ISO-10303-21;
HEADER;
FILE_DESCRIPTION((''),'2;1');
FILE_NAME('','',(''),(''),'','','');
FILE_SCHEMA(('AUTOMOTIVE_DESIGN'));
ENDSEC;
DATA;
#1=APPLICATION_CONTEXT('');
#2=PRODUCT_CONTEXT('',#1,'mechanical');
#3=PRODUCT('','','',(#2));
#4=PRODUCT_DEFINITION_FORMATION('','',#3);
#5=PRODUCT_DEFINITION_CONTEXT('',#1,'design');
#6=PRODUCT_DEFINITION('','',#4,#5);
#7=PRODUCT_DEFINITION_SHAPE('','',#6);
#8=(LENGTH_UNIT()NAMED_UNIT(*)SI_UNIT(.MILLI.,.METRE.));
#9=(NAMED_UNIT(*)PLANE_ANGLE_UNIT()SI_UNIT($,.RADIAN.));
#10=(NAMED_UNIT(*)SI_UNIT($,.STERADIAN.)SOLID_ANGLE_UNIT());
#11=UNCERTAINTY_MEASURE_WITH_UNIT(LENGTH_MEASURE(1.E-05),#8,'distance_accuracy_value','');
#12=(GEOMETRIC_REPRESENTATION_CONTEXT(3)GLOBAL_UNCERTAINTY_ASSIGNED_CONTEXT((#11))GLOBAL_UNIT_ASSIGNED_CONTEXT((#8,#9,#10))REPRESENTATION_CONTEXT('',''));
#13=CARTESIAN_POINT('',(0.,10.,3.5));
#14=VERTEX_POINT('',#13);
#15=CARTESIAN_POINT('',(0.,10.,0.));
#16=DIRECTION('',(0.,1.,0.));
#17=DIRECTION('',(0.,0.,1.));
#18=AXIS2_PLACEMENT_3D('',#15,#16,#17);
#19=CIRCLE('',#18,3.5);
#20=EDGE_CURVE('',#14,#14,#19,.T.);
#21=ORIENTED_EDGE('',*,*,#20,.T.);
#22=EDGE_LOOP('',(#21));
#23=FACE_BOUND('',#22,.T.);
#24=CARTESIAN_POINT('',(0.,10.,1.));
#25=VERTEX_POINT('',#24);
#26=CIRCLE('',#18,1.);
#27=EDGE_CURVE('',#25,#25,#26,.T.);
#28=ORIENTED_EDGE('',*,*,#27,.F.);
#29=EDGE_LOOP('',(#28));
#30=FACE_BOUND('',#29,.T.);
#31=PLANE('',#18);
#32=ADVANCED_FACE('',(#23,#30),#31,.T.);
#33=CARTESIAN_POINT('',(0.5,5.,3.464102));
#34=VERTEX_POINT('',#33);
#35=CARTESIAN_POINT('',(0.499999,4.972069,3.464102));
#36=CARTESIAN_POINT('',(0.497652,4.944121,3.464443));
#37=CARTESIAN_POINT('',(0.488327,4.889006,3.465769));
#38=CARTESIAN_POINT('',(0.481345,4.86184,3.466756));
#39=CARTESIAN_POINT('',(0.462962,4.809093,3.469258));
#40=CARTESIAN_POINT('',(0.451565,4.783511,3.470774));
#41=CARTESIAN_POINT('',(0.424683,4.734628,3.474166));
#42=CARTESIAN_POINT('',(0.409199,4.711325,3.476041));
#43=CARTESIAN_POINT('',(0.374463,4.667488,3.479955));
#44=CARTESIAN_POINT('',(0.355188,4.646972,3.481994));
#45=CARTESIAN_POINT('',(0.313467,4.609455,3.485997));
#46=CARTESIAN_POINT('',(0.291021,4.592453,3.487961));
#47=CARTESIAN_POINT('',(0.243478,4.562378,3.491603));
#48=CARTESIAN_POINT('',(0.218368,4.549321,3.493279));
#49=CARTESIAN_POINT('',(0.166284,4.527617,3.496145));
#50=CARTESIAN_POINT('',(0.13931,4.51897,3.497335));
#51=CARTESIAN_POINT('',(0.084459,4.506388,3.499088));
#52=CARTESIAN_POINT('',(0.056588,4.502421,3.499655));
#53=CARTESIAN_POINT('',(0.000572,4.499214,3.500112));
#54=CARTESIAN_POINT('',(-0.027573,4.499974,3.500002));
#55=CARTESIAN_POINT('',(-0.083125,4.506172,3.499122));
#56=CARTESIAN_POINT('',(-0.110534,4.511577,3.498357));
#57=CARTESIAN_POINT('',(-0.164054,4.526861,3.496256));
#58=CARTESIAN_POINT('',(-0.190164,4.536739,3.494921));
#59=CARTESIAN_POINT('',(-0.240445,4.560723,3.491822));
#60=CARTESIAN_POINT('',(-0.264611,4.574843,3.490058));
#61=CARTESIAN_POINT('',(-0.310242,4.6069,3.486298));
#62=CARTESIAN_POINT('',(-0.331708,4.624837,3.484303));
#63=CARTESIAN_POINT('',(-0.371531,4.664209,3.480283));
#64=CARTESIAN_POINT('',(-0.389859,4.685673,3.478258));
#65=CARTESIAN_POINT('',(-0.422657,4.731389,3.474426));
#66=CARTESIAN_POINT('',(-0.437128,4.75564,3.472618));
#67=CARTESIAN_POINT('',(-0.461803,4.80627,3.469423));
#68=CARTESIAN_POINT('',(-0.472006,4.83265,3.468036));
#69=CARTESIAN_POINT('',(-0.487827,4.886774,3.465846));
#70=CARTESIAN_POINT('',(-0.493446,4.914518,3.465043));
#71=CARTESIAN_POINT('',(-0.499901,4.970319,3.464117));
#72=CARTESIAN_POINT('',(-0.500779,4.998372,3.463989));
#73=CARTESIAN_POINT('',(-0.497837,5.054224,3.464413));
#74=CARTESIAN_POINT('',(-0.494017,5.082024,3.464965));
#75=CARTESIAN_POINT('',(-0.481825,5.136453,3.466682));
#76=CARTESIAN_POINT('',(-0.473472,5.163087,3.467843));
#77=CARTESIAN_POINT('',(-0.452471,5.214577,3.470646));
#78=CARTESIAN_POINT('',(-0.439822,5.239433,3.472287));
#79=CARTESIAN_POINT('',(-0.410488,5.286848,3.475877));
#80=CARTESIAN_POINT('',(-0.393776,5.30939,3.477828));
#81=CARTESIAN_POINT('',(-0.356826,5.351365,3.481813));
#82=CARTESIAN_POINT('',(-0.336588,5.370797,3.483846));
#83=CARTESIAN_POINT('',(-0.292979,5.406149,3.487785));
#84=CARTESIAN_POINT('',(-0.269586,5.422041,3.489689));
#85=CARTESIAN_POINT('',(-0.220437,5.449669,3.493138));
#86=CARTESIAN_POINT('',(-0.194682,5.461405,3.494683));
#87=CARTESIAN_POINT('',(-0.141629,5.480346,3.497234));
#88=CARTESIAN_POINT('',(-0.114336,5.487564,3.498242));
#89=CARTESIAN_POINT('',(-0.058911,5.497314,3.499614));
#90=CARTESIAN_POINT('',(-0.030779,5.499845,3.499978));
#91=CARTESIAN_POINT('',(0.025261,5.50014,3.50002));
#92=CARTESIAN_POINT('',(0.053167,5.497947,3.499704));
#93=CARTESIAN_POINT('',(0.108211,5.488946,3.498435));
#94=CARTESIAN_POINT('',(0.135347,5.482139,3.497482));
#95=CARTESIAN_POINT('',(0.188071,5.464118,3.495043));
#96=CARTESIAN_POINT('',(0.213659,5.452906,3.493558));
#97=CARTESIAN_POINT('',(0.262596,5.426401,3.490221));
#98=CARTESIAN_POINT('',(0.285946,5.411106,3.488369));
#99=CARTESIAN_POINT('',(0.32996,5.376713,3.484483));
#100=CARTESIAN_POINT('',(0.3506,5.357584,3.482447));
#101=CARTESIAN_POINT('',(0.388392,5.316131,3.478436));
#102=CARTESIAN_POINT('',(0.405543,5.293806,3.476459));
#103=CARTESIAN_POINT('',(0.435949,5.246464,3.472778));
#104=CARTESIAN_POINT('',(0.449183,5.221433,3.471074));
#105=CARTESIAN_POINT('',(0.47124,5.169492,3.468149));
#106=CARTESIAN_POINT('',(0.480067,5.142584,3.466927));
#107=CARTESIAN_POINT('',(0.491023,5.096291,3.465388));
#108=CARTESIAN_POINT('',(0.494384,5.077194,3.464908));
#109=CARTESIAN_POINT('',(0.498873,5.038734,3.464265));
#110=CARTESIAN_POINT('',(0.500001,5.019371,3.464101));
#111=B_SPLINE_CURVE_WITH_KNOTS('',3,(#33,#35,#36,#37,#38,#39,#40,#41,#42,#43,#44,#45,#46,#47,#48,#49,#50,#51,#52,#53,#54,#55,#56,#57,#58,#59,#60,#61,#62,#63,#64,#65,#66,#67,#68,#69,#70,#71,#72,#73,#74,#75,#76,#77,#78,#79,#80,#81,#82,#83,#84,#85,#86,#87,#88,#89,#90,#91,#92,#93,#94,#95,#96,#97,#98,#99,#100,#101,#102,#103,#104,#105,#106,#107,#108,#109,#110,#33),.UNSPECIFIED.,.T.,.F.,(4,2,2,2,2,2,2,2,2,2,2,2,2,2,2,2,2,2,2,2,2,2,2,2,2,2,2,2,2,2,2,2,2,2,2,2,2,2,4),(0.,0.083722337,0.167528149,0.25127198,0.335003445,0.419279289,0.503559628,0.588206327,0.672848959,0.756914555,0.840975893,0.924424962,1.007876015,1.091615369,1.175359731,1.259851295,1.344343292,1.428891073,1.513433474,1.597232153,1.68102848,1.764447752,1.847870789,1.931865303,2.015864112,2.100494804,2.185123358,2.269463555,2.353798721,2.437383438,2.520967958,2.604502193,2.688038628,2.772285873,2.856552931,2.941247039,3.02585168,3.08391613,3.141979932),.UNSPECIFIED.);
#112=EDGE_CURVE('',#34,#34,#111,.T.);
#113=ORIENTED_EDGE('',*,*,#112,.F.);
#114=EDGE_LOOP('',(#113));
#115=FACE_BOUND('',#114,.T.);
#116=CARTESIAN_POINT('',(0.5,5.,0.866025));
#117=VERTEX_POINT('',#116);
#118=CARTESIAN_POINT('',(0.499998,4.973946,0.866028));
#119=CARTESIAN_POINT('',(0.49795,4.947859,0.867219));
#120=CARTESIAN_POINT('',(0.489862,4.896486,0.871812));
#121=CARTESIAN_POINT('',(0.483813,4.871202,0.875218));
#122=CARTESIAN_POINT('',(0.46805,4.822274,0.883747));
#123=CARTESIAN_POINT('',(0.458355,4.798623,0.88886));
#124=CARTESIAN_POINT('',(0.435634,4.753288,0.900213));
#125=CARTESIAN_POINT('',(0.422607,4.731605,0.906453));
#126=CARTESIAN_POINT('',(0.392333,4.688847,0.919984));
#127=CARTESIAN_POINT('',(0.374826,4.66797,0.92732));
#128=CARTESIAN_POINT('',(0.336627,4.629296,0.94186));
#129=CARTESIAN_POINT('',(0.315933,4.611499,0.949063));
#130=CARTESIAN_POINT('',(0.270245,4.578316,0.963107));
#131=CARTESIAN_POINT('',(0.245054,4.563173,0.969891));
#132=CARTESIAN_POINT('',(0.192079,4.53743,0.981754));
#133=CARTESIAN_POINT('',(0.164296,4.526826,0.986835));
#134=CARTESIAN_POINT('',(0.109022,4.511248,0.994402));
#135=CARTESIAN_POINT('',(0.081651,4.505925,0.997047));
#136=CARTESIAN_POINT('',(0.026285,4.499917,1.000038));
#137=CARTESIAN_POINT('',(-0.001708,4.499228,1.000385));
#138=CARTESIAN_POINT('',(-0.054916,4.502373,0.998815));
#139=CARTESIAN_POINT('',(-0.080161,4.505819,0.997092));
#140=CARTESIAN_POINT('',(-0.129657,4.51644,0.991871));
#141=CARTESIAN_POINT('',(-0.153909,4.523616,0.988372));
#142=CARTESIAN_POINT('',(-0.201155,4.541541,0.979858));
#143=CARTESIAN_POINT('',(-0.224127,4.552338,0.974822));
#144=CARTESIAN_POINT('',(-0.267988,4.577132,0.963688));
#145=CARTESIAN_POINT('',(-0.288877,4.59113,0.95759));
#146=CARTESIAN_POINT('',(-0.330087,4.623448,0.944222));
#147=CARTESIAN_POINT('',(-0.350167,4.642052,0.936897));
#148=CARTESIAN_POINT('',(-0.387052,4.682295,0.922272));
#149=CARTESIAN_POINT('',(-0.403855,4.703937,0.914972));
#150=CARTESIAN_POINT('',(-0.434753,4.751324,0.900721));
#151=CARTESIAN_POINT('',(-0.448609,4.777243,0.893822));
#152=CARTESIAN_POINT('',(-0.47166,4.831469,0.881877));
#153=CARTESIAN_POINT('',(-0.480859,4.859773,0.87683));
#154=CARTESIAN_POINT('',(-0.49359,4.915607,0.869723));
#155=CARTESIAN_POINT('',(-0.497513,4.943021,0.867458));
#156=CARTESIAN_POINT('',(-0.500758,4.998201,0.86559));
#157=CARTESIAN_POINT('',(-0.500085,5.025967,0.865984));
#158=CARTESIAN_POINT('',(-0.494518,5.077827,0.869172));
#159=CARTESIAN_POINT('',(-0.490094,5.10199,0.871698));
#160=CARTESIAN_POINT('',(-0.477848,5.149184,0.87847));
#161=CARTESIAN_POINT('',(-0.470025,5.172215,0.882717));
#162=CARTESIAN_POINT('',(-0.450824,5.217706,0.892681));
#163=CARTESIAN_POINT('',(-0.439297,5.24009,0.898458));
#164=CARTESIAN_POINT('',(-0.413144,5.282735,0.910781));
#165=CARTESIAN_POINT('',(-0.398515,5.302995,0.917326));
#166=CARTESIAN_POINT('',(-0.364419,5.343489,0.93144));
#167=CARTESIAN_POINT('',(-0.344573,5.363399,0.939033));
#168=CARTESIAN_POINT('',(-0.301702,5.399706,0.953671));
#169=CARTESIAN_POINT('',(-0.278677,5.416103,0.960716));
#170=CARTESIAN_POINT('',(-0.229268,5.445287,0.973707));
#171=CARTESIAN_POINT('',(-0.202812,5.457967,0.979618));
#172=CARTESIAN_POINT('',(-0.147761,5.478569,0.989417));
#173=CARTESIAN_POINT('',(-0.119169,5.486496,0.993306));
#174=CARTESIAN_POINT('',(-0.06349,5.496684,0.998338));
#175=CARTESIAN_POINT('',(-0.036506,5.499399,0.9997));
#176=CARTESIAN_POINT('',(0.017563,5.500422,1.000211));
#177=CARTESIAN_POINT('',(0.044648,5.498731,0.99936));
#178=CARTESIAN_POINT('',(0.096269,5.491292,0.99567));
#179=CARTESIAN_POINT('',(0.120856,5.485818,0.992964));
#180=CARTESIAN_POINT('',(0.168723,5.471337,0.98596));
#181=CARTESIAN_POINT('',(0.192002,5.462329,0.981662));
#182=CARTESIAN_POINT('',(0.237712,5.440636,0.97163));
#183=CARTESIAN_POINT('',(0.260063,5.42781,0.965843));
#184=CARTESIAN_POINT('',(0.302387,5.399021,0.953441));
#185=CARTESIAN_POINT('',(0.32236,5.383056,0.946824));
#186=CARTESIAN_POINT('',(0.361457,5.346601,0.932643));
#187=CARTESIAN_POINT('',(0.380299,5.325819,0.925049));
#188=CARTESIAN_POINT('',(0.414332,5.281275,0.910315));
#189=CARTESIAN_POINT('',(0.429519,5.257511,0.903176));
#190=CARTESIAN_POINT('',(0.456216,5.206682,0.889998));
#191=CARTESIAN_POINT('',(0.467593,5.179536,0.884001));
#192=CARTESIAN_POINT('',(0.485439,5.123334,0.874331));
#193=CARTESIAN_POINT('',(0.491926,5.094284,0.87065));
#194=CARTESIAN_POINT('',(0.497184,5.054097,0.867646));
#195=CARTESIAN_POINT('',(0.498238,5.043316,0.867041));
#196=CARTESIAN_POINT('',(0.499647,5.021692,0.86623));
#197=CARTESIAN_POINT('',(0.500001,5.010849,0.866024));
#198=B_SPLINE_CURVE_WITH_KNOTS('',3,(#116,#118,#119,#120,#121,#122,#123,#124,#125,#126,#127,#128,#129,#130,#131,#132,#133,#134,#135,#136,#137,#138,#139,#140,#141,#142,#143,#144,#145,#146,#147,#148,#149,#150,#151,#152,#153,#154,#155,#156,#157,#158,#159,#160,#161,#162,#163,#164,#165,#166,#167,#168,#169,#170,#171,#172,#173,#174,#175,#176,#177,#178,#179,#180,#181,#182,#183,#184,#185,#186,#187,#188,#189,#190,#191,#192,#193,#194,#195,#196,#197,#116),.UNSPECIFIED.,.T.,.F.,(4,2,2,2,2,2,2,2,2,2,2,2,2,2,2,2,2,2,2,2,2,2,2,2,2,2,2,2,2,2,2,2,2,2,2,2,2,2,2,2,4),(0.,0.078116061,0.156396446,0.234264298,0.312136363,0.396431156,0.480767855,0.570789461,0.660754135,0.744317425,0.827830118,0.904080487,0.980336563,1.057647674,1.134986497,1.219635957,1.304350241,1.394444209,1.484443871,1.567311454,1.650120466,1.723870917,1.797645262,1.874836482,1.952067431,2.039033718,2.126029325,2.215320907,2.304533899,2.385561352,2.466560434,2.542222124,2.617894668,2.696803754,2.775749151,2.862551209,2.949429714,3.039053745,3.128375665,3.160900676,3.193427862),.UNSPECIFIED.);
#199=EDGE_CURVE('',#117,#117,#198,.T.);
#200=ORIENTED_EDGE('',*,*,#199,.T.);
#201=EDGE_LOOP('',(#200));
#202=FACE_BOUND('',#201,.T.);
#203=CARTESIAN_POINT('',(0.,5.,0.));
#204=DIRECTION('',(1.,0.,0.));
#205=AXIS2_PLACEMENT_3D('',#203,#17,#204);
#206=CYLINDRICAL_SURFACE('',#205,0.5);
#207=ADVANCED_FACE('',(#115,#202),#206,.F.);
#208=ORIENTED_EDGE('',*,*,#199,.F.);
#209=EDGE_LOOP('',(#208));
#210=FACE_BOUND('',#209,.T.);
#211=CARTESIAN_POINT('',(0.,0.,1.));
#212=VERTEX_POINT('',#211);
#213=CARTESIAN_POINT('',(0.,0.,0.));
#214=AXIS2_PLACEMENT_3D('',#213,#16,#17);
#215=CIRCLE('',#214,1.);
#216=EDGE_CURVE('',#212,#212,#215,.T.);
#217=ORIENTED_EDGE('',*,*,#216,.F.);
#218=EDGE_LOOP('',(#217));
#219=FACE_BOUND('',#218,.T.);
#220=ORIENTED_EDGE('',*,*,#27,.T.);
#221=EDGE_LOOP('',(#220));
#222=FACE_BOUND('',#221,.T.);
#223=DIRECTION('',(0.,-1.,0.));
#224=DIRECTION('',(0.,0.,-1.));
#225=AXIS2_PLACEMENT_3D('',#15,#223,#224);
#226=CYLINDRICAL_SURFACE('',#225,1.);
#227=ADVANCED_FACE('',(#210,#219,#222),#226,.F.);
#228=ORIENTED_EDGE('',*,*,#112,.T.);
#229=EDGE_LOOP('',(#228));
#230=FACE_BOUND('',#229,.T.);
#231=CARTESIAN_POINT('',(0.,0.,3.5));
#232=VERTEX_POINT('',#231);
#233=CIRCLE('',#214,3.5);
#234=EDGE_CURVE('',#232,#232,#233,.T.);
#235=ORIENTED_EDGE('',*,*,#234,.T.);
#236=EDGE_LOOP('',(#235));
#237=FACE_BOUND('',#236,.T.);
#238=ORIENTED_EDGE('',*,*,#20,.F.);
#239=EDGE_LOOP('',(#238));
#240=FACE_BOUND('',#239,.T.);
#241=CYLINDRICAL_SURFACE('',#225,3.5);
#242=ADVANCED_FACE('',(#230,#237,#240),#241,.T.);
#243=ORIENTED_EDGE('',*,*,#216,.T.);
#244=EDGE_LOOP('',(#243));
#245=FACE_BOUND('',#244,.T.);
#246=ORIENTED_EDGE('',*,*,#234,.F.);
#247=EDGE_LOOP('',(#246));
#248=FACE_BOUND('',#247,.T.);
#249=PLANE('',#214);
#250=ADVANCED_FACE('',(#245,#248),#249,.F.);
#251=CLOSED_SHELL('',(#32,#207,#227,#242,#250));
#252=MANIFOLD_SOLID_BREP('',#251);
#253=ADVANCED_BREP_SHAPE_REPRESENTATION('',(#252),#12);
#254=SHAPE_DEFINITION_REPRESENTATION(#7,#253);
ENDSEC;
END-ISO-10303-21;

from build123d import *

# Parameters (mm, degrees)
SKETCH1_R           = 3.5
SKETCH1_R_2         = 1
BOSS_EXTRUDE1_DEPTH = 10
SKETCH2_R           = 0.5
CUT_EXTRUDE2_DEPTH  = 3.5


with BuildPart() as part:
    # Sketch1 → Boss-Extrude1 (new body)
    with BuildSketch(Plane(origin=(0, 0, 0), x_dir=(1, 0, 0), z_dir=(0, 1, 0))):
        Circle(SKETCH1_R)
        Circle(SKETCH1_R_2, mode=Mode.SUBTRACT)
    extrude(amount=BOSS_EXTRUDE1_DEPTH)

    # Sketch2 → Cut-Extrude2 (cut)
    with BuildSketch(Plane.XY.offset(3.5)):
        with Locations((0, 5)):
            Circle(SKETCH2_R)
    extrude(amount=-CUT_EXTRUDE2_DEPTH, mode=Mode.SUBTRACT)


solid = part.part
